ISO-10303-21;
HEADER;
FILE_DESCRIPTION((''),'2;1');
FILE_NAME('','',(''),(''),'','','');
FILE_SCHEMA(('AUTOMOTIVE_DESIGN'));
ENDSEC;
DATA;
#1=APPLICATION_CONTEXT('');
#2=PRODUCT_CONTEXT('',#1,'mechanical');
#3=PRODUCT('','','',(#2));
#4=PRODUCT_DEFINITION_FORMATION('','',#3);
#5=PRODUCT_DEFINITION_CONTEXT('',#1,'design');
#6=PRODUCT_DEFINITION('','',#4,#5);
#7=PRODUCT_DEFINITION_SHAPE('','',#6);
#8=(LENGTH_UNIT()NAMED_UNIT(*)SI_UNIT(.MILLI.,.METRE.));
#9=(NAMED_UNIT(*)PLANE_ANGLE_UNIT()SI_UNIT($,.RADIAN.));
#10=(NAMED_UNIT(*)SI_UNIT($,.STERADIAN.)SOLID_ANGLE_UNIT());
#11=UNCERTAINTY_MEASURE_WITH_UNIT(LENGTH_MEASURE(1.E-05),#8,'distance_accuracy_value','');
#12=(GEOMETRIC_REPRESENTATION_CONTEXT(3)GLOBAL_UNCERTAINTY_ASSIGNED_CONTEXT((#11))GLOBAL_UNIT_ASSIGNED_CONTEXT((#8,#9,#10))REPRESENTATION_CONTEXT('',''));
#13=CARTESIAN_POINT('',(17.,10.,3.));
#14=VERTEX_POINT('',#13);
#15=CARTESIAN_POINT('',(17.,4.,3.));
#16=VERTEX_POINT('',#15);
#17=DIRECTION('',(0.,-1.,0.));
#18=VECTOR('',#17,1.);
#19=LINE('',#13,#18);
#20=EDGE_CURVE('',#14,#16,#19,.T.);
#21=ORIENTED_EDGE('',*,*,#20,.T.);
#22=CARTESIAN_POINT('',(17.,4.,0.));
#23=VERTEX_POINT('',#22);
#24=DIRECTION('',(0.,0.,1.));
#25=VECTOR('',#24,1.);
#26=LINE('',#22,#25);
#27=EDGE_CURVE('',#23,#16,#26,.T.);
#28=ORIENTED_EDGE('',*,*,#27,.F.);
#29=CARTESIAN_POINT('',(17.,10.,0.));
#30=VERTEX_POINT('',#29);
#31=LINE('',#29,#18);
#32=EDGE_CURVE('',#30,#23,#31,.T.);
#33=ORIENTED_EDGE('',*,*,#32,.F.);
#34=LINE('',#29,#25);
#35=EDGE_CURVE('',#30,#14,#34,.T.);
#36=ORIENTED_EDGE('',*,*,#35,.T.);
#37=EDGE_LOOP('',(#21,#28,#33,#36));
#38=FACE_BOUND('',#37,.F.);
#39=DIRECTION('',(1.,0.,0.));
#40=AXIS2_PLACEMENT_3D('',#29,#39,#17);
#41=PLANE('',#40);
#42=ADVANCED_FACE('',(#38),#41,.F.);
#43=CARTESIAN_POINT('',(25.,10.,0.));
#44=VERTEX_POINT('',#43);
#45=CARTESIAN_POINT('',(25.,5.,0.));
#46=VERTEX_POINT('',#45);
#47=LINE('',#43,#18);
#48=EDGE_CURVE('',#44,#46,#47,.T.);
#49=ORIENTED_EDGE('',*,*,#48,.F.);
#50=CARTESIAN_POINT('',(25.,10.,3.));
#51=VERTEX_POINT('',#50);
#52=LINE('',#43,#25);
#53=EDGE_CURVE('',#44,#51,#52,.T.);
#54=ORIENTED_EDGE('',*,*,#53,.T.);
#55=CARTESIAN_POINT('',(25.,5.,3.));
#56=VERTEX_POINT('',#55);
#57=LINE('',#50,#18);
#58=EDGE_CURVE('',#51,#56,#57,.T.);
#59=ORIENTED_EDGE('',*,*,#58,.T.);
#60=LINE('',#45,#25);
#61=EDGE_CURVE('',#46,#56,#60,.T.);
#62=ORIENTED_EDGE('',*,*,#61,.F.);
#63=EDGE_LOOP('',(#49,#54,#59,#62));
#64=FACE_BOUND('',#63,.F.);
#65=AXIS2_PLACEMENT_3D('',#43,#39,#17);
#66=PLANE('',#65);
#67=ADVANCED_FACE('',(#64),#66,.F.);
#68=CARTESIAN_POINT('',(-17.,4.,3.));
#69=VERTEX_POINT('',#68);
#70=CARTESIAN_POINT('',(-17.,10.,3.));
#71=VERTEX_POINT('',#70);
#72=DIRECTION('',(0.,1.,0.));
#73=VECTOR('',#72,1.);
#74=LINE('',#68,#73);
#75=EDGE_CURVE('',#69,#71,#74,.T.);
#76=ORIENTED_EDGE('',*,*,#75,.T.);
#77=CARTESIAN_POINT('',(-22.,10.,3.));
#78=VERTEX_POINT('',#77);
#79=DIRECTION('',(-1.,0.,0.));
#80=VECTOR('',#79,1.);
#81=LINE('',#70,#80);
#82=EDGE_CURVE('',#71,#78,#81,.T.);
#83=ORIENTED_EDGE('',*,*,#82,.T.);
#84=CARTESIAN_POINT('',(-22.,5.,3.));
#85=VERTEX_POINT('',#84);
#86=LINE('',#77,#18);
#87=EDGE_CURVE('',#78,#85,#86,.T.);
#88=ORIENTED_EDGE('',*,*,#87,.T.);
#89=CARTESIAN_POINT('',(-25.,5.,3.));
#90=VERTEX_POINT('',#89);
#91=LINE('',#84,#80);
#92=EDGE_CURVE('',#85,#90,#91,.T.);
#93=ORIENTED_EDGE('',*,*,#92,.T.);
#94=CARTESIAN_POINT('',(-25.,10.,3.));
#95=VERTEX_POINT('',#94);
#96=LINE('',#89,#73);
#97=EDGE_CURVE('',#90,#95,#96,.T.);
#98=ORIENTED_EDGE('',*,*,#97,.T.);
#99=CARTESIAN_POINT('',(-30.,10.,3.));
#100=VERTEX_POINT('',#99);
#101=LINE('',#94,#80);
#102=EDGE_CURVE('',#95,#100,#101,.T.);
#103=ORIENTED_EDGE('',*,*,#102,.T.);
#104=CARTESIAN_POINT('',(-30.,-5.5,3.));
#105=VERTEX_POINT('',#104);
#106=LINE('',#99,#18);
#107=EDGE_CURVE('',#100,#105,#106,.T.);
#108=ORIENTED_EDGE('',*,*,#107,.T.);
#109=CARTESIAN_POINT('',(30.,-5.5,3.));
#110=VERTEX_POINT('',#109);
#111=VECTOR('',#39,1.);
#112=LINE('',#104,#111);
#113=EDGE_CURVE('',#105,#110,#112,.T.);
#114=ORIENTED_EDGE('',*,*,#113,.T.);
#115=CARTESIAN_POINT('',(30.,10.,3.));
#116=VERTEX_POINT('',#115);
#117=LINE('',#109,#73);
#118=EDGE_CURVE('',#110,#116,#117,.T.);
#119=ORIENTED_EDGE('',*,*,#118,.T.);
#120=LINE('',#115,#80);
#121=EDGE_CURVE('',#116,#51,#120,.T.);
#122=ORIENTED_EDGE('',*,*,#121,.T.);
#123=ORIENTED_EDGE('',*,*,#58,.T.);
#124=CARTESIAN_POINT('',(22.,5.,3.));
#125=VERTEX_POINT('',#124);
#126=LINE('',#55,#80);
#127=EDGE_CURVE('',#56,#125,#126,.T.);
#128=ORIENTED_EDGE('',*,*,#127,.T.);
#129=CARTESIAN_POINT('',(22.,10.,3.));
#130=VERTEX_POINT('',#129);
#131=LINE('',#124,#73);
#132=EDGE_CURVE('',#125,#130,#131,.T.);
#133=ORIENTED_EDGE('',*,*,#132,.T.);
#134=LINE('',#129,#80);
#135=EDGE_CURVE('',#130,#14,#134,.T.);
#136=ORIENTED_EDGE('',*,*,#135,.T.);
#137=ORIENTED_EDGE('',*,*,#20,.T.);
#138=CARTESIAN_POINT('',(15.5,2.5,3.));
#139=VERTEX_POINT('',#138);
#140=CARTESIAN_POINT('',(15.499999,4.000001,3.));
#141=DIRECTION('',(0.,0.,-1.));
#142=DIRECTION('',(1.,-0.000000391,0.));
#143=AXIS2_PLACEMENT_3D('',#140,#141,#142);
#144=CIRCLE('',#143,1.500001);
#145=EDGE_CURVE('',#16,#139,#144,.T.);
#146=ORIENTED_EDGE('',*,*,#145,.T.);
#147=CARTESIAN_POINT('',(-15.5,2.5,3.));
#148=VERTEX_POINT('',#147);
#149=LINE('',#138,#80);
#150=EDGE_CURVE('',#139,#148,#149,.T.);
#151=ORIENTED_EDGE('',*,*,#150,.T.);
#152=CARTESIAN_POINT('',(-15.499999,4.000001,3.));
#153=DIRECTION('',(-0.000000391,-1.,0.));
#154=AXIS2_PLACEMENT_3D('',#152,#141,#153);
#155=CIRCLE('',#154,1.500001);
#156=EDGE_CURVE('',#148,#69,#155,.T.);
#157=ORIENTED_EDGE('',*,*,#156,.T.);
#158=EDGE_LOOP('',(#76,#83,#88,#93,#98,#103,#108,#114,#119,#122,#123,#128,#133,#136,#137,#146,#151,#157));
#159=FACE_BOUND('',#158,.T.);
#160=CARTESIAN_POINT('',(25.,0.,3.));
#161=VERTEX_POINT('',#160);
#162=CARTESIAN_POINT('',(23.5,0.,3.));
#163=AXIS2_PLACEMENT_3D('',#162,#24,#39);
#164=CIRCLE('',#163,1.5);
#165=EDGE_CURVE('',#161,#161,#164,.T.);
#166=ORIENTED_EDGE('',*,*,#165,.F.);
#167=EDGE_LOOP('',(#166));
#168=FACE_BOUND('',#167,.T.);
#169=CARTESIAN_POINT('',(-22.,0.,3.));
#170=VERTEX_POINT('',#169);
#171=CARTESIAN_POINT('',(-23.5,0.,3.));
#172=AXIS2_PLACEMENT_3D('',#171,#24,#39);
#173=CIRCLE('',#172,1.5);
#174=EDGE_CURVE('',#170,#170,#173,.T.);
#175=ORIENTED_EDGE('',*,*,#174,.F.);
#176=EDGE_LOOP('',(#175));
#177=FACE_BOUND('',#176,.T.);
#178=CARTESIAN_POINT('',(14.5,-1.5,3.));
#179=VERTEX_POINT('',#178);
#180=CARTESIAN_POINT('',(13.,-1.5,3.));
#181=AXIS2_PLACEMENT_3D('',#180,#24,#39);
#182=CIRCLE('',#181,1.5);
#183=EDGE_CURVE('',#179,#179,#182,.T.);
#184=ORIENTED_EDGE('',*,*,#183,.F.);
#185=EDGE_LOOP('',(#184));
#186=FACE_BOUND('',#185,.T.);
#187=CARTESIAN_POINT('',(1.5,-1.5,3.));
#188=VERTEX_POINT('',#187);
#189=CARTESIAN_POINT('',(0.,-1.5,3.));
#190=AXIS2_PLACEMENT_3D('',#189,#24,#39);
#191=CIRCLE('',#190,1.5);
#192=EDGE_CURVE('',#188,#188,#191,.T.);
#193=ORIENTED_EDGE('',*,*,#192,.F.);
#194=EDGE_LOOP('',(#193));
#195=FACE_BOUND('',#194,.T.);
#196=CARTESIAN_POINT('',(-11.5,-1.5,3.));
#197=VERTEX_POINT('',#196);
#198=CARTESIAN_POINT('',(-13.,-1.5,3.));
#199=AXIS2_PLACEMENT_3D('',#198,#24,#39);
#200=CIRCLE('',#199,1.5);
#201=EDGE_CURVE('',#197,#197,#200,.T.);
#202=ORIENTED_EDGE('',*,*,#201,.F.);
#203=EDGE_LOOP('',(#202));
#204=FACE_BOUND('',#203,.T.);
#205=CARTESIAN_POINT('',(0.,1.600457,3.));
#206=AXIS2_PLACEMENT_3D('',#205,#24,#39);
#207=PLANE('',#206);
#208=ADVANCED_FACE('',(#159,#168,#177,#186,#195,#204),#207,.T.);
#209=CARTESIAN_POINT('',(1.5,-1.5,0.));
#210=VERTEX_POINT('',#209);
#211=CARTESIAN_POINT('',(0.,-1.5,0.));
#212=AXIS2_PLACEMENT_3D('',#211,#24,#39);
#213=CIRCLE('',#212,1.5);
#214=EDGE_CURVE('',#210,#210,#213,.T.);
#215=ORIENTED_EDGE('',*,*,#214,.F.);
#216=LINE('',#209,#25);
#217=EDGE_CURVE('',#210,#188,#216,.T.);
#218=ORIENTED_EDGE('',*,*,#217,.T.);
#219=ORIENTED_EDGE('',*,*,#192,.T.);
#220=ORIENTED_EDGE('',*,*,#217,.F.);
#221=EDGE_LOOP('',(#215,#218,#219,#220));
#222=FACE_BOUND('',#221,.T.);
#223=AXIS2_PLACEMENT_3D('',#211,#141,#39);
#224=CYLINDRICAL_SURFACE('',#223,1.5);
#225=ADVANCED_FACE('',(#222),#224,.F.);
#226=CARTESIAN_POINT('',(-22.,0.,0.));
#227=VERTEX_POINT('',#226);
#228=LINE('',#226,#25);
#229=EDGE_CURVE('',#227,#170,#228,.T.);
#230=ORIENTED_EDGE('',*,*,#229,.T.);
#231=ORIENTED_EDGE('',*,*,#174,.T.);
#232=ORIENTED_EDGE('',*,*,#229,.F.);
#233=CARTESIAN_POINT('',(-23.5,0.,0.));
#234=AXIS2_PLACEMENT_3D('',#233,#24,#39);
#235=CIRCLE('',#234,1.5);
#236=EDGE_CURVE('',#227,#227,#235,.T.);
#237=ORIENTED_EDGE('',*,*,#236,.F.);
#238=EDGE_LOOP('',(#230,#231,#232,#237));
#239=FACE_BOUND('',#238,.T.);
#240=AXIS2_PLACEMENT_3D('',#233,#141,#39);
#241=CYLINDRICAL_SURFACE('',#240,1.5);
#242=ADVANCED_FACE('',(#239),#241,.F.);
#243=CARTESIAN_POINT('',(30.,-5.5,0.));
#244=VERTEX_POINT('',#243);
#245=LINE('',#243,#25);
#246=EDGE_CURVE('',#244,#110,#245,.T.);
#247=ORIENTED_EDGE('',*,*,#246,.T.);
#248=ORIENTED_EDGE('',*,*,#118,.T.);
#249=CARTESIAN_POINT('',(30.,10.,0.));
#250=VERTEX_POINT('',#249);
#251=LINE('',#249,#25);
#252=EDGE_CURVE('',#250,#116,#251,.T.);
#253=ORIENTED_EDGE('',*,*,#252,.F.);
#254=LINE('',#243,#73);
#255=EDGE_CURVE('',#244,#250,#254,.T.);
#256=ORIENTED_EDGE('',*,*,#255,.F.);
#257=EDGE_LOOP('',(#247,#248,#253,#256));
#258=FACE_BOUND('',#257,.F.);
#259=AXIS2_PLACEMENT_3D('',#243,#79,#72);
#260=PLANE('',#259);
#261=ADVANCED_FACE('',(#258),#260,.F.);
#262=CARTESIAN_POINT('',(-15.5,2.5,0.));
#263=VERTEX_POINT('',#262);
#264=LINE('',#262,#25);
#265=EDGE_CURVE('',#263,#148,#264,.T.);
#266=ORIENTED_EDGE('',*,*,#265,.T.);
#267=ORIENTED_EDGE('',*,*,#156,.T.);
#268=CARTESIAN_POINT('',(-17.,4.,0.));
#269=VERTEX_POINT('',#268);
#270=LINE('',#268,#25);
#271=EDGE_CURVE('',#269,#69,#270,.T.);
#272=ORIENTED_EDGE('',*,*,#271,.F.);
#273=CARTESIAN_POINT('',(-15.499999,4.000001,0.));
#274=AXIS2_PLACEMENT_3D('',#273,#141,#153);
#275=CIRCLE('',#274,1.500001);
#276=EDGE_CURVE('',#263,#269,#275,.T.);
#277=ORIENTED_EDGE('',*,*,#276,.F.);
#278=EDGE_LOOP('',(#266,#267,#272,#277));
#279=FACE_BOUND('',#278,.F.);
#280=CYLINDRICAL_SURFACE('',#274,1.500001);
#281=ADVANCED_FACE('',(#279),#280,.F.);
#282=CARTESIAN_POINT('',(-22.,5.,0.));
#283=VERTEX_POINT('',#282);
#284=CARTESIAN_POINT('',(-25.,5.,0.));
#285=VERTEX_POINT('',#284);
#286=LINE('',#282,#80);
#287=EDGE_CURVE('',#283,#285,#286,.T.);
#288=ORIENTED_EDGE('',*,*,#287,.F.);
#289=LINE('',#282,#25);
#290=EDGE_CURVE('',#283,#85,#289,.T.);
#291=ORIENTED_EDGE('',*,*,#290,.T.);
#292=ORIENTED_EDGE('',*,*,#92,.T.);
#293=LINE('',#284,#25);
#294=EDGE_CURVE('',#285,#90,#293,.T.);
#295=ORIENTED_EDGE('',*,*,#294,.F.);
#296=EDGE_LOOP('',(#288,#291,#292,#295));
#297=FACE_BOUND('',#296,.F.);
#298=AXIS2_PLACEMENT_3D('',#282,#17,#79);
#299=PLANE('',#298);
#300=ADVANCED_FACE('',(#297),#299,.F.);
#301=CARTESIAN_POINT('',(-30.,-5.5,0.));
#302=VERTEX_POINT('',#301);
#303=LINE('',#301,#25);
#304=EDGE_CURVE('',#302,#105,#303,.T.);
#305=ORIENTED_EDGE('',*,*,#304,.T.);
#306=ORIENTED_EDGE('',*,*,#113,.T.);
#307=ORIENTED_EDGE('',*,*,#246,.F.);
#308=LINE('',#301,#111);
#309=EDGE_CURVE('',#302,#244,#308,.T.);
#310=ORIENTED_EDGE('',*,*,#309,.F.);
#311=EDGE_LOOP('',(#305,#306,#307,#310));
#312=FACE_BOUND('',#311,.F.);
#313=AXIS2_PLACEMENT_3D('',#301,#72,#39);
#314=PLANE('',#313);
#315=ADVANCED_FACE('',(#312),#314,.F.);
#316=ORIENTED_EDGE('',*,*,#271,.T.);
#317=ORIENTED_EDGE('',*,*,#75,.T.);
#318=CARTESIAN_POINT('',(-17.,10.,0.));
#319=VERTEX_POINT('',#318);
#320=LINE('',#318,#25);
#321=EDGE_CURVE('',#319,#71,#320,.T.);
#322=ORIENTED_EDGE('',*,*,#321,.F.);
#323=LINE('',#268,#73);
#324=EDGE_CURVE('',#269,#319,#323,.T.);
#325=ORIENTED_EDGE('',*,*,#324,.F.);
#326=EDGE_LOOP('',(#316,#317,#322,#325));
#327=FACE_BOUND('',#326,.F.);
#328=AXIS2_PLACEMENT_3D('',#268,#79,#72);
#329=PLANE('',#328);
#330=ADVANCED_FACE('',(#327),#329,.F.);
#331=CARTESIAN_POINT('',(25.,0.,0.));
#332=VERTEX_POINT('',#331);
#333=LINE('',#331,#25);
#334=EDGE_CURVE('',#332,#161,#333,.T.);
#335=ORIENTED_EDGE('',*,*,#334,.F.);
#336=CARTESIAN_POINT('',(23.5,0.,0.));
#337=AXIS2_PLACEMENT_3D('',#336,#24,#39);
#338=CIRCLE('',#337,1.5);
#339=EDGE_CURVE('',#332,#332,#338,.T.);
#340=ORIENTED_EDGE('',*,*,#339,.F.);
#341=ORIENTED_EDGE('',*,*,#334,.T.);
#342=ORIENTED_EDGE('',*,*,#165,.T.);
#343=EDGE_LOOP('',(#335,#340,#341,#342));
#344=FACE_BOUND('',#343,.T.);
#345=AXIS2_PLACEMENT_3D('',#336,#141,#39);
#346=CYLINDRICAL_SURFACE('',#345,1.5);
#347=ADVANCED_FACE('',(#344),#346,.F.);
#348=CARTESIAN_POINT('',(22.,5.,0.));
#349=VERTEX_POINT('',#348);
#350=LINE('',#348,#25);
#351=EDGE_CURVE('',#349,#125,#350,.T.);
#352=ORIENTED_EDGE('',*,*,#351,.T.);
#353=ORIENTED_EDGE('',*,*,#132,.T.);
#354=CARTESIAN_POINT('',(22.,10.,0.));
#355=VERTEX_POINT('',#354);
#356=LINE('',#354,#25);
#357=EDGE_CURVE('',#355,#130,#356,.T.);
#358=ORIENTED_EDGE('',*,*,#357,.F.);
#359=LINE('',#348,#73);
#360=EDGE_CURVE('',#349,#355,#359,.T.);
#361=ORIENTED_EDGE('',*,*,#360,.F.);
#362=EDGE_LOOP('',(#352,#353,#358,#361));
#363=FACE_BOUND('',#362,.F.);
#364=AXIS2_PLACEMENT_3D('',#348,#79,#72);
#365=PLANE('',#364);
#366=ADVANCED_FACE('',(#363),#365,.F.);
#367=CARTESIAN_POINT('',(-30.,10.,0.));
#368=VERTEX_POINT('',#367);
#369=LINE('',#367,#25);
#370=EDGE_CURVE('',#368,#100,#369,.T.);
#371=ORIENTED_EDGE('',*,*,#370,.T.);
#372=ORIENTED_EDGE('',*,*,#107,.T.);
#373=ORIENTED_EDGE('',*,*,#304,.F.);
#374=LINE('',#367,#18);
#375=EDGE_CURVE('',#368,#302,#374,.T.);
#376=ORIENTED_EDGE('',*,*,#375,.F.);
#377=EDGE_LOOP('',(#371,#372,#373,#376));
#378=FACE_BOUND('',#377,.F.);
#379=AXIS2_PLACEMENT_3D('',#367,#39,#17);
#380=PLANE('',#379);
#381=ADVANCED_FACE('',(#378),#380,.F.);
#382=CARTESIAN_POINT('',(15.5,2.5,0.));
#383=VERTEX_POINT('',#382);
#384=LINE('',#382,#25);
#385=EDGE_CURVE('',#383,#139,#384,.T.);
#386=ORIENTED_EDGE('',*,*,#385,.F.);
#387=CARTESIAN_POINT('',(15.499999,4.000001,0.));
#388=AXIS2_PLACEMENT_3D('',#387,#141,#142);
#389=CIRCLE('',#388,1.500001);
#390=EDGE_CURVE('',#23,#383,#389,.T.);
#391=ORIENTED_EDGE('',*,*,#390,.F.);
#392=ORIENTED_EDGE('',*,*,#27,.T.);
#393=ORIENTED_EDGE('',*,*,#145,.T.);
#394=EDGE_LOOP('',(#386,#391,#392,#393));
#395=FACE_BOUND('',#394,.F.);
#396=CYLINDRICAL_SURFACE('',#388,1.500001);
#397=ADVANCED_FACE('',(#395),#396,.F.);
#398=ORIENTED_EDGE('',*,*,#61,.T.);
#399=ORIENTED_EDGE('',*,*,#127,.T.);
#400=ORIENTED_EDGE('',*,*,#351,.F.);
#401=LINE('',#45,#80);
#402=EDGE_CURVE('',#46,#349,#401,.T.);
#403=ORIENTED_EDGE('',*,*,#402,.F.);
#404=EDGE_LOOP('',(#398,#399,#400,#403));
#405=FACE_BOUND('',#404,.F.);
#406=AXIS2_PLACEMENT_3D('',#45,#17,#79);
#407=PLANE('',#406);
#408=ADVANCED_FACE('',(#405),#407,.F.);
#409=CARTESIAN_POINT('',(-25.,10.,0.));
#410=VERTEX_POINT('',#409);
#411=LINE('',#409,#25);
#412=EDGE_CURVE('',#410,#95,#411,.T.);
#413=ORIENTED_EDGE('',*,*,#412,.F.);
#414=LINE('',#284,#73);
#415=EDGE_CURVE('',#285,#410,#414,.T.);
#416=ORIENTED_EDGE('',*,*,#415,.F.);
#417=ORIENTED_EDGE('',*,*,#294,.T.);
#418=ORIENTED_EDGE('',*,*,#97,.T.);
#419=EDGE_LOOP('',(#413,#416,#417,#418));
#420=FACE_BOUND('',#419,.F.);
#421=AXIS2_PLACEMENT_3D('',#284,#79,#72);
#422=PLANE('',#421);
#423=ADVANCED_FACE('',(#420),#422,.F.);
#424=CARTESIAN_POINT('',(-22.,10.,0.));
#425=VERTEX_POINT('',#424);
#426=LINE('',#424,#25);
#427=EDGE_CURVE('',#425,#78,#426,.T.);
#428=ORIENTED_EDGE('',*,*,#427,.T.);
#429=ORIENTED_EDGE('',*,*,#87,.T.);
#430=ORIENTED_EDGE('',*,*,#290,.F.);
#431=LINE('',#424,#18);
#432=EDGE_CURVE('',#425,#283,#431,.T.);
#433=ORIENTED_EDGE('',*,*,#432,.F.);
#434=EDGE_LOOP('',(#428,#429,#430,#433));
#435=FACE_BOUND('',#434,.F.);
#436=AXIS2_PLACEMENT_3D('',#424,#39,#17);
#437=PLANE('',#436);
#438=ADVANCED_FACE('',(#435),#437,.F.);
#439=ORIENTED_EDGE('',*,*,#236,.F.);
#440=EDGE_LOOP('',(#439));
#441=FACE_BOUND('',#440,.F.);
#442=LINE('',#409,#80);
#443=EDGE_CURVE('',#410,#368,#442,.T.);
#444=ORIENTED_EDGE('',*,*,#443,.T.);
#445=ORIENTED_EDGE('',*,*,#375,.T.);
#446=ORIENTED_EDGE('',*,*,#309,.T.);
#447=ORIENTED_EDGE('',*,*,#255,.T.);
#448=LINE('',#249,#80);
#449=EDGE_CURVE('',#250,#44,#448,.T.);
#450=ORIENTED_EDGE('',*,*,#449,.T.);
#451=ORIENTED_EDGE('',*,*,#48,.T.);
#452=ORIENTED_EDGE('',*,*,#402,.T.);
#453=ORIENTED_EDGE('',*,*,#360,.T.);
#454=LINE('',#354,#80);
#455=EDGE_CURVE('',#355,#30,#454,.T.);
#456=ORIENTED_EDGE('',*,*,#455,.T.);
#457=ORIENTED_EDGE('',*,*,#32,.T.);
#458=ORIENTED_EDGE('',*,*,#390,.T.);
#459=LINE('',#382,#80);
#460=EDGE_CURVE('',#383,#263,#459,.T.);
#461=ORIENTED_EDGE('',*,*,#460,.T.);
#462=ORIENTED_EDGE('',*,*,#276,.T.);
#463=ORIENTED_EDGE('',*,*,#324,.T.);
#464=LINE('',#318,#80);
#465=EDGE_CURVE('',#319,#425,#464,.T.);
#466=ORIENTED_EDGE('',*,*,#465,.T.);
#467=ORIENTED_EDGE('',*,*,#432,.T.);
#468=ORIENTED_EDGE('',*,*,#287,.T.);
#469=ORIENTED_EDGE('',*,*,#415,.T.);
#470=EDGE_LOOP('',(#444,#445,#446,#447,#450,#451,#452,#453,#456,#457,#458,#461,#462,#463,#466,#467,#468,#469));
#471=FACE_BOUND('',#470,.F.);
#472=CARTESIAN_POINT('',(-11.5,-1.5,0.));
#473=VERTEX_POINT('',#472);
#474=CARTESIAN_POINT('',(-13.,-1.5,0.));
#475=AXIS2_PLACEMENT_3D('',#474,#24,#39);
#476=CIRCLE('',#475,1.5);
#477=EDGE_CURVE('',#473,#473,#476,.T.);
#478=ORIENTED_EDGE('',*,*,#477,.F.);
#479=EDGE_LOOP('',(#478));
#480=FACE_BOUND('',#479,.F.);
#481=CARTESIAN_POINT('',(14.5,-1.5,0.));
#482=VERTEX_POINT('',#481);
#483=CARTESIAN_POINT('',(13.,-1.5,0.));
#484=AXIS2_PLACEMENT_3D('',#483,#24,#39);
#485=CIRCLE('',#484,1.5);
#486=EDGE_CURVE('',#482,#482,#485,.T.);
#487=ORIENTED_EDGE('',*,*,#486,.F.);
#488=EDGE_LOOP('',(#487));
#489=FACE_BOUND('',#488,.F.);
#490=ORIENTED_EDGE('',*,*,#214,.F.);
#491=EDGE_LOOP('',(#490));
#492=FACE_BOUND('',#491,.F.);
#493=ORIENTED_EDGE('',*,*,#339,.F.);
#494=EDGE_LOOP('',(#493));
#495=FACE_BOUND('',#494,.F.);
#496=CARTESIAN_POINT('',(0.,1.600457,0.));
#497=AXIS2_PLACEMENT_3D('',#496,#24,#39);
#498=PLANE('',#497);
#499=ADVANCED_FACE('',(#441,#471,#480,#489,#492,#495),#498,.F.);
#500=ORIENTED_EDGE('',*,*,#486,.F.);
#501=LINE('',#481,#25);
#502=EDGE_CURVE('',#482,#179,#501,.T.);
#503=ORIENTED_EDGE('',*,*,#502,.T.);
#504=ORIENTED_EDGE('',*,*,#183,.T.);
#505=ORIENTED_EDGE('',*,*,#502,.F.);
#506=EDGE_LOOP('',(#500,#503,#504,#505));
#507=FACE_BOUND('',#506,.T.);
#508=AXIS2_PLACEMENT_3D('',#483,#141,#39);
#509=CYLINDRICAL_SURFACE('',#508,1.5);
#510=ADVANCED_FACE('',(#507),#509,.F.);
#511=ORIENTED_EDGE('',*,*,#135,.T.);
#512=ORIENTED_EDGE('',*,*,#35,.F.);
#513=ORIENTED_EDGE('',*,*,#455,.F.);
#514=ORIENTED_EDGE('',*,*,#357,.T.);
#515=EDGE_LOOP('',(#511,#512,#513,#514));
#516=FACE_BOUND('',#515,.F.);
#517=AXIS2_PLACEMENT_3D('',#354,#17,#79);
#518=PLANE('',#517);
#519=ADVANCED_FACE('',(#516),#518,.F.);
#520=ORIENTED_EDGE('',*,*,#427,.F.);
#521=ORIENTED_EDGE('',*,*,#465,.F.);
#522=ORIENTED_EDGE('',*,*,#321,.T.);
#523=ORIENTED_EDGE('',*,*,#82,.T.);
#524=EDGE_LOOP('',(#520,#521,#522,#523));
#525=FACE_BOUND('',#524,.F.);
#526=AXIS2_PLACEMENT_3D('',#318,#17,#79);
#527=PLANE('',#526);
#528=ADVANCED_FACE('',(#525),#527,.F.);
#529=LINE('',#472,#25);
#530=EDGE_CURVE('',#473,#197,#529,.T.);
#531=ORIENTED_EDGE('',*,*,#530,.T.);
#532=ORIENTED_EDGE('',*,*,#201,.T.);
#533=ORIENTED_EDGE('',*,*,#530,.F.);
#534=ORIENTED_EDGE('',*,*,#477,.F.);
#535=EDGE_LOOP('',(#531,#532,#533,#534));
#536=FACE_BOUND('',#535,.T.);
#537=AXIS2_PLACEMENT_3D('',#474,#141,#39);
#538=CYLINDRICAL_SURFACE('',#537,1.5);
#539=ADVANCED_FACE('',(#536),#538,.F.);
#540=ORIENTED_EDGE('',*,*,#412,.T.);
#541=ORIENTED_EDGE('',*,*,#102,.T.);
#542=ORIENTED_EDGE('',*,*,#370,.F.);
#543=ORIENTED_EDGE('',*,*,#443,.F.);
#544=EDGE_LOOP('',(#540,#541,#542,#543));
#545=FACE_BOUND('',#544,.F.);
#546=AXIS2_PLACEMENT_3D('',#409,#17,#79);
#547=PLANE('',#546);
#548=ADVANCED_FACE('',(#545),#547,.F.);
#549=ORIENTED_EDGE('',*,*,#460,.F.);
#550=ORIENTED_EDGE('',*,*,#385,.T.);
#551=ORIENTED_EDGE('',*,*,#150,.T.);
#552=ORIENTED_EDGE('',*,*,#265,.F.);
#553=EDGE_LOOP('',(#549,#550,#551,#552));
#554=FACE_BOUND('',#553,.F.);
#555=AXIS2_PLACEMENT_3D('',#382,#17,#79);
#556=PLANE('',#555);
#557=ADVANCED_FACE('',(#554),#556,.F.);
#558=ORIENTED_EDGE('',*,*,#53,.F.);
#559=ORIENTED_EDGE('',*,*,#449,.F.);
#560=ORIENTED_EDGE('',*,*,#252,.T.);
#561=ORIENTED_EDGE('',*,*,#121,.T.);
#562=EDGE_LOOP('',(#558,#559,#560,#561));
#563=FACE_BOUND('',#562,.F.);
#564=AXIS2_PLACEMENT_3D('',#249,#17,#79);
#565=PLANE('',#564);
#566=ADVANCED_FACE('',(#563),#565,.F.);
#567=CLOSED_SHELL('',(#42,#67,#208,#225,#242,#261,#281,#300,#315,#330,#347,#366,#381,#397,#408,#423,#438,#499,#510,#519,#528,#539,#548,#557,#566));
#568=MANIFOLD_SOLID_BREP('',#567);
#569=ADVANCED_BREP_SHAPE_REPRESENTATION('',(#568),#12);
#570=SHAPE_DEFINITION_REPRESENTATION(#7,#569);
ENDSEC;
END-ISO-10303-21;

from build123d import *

# Parameters (mm, degrees)
F0_R     = 1.5
F1_DEPTH = 3


with BuildPart() as f1:
    # F0 (on Top) → F1 (new body)
    with BuildSketch(Plane.XY):
        with BuildLine():
            Line((-25, 10), (-30, 10))
            Line((-30, 10), (-30, -5.5))
            Line((-30, -5.5), (30, -5.5))
            Line((30, -5.5), (30, 10))
            Line((30, 10), (25, 10))
            Line((25, 10), (25, 5))
            Line((25, 5), (22, 5))
            Line((22, 5), (22, 10))
            Line((22, 10), (17, 10))
            Line((17, 10), (17, 4))
            ThreePointArc((17, 4), (16.56066, 2.93934), (15.5, 2.5))
            Line((15.5, 2.5), (-15.5, 2.5))
            ThreePointArc((-15.5, 2.5), (-16.56066, 2.93934), (-17, 4))
            Line((-17, 4), (-17, 10))
            Line((-17, 10), (-22, 10))
            Line((-22, 10), (-22, 5))
            Line((-22, 5), (-25, 5))
            Line((-25, 5), (-25, 10))
        make_face()
        with Locations((-23.5, 0)):
            Circle(F0_R, mode=Mode.SUBTRACT)
        with Locations((-13, -1.5)):
            Circle(F0_R, mode=Mode.SUBTRACT)
        with Locations((0, -1.5)):
            Circle(F0_R, mode=Mode.SUBTRACT)
        with Locations((13, -1.5)):
            Circle(F0_R, mode=Mode.SUBTRACT)
        with Locations((23.5, 0)):
            Circle(F0_R, mode=Mode.SUBTRACT)
    extrude(amount=F1_DEPTH)


solid = f1.part
